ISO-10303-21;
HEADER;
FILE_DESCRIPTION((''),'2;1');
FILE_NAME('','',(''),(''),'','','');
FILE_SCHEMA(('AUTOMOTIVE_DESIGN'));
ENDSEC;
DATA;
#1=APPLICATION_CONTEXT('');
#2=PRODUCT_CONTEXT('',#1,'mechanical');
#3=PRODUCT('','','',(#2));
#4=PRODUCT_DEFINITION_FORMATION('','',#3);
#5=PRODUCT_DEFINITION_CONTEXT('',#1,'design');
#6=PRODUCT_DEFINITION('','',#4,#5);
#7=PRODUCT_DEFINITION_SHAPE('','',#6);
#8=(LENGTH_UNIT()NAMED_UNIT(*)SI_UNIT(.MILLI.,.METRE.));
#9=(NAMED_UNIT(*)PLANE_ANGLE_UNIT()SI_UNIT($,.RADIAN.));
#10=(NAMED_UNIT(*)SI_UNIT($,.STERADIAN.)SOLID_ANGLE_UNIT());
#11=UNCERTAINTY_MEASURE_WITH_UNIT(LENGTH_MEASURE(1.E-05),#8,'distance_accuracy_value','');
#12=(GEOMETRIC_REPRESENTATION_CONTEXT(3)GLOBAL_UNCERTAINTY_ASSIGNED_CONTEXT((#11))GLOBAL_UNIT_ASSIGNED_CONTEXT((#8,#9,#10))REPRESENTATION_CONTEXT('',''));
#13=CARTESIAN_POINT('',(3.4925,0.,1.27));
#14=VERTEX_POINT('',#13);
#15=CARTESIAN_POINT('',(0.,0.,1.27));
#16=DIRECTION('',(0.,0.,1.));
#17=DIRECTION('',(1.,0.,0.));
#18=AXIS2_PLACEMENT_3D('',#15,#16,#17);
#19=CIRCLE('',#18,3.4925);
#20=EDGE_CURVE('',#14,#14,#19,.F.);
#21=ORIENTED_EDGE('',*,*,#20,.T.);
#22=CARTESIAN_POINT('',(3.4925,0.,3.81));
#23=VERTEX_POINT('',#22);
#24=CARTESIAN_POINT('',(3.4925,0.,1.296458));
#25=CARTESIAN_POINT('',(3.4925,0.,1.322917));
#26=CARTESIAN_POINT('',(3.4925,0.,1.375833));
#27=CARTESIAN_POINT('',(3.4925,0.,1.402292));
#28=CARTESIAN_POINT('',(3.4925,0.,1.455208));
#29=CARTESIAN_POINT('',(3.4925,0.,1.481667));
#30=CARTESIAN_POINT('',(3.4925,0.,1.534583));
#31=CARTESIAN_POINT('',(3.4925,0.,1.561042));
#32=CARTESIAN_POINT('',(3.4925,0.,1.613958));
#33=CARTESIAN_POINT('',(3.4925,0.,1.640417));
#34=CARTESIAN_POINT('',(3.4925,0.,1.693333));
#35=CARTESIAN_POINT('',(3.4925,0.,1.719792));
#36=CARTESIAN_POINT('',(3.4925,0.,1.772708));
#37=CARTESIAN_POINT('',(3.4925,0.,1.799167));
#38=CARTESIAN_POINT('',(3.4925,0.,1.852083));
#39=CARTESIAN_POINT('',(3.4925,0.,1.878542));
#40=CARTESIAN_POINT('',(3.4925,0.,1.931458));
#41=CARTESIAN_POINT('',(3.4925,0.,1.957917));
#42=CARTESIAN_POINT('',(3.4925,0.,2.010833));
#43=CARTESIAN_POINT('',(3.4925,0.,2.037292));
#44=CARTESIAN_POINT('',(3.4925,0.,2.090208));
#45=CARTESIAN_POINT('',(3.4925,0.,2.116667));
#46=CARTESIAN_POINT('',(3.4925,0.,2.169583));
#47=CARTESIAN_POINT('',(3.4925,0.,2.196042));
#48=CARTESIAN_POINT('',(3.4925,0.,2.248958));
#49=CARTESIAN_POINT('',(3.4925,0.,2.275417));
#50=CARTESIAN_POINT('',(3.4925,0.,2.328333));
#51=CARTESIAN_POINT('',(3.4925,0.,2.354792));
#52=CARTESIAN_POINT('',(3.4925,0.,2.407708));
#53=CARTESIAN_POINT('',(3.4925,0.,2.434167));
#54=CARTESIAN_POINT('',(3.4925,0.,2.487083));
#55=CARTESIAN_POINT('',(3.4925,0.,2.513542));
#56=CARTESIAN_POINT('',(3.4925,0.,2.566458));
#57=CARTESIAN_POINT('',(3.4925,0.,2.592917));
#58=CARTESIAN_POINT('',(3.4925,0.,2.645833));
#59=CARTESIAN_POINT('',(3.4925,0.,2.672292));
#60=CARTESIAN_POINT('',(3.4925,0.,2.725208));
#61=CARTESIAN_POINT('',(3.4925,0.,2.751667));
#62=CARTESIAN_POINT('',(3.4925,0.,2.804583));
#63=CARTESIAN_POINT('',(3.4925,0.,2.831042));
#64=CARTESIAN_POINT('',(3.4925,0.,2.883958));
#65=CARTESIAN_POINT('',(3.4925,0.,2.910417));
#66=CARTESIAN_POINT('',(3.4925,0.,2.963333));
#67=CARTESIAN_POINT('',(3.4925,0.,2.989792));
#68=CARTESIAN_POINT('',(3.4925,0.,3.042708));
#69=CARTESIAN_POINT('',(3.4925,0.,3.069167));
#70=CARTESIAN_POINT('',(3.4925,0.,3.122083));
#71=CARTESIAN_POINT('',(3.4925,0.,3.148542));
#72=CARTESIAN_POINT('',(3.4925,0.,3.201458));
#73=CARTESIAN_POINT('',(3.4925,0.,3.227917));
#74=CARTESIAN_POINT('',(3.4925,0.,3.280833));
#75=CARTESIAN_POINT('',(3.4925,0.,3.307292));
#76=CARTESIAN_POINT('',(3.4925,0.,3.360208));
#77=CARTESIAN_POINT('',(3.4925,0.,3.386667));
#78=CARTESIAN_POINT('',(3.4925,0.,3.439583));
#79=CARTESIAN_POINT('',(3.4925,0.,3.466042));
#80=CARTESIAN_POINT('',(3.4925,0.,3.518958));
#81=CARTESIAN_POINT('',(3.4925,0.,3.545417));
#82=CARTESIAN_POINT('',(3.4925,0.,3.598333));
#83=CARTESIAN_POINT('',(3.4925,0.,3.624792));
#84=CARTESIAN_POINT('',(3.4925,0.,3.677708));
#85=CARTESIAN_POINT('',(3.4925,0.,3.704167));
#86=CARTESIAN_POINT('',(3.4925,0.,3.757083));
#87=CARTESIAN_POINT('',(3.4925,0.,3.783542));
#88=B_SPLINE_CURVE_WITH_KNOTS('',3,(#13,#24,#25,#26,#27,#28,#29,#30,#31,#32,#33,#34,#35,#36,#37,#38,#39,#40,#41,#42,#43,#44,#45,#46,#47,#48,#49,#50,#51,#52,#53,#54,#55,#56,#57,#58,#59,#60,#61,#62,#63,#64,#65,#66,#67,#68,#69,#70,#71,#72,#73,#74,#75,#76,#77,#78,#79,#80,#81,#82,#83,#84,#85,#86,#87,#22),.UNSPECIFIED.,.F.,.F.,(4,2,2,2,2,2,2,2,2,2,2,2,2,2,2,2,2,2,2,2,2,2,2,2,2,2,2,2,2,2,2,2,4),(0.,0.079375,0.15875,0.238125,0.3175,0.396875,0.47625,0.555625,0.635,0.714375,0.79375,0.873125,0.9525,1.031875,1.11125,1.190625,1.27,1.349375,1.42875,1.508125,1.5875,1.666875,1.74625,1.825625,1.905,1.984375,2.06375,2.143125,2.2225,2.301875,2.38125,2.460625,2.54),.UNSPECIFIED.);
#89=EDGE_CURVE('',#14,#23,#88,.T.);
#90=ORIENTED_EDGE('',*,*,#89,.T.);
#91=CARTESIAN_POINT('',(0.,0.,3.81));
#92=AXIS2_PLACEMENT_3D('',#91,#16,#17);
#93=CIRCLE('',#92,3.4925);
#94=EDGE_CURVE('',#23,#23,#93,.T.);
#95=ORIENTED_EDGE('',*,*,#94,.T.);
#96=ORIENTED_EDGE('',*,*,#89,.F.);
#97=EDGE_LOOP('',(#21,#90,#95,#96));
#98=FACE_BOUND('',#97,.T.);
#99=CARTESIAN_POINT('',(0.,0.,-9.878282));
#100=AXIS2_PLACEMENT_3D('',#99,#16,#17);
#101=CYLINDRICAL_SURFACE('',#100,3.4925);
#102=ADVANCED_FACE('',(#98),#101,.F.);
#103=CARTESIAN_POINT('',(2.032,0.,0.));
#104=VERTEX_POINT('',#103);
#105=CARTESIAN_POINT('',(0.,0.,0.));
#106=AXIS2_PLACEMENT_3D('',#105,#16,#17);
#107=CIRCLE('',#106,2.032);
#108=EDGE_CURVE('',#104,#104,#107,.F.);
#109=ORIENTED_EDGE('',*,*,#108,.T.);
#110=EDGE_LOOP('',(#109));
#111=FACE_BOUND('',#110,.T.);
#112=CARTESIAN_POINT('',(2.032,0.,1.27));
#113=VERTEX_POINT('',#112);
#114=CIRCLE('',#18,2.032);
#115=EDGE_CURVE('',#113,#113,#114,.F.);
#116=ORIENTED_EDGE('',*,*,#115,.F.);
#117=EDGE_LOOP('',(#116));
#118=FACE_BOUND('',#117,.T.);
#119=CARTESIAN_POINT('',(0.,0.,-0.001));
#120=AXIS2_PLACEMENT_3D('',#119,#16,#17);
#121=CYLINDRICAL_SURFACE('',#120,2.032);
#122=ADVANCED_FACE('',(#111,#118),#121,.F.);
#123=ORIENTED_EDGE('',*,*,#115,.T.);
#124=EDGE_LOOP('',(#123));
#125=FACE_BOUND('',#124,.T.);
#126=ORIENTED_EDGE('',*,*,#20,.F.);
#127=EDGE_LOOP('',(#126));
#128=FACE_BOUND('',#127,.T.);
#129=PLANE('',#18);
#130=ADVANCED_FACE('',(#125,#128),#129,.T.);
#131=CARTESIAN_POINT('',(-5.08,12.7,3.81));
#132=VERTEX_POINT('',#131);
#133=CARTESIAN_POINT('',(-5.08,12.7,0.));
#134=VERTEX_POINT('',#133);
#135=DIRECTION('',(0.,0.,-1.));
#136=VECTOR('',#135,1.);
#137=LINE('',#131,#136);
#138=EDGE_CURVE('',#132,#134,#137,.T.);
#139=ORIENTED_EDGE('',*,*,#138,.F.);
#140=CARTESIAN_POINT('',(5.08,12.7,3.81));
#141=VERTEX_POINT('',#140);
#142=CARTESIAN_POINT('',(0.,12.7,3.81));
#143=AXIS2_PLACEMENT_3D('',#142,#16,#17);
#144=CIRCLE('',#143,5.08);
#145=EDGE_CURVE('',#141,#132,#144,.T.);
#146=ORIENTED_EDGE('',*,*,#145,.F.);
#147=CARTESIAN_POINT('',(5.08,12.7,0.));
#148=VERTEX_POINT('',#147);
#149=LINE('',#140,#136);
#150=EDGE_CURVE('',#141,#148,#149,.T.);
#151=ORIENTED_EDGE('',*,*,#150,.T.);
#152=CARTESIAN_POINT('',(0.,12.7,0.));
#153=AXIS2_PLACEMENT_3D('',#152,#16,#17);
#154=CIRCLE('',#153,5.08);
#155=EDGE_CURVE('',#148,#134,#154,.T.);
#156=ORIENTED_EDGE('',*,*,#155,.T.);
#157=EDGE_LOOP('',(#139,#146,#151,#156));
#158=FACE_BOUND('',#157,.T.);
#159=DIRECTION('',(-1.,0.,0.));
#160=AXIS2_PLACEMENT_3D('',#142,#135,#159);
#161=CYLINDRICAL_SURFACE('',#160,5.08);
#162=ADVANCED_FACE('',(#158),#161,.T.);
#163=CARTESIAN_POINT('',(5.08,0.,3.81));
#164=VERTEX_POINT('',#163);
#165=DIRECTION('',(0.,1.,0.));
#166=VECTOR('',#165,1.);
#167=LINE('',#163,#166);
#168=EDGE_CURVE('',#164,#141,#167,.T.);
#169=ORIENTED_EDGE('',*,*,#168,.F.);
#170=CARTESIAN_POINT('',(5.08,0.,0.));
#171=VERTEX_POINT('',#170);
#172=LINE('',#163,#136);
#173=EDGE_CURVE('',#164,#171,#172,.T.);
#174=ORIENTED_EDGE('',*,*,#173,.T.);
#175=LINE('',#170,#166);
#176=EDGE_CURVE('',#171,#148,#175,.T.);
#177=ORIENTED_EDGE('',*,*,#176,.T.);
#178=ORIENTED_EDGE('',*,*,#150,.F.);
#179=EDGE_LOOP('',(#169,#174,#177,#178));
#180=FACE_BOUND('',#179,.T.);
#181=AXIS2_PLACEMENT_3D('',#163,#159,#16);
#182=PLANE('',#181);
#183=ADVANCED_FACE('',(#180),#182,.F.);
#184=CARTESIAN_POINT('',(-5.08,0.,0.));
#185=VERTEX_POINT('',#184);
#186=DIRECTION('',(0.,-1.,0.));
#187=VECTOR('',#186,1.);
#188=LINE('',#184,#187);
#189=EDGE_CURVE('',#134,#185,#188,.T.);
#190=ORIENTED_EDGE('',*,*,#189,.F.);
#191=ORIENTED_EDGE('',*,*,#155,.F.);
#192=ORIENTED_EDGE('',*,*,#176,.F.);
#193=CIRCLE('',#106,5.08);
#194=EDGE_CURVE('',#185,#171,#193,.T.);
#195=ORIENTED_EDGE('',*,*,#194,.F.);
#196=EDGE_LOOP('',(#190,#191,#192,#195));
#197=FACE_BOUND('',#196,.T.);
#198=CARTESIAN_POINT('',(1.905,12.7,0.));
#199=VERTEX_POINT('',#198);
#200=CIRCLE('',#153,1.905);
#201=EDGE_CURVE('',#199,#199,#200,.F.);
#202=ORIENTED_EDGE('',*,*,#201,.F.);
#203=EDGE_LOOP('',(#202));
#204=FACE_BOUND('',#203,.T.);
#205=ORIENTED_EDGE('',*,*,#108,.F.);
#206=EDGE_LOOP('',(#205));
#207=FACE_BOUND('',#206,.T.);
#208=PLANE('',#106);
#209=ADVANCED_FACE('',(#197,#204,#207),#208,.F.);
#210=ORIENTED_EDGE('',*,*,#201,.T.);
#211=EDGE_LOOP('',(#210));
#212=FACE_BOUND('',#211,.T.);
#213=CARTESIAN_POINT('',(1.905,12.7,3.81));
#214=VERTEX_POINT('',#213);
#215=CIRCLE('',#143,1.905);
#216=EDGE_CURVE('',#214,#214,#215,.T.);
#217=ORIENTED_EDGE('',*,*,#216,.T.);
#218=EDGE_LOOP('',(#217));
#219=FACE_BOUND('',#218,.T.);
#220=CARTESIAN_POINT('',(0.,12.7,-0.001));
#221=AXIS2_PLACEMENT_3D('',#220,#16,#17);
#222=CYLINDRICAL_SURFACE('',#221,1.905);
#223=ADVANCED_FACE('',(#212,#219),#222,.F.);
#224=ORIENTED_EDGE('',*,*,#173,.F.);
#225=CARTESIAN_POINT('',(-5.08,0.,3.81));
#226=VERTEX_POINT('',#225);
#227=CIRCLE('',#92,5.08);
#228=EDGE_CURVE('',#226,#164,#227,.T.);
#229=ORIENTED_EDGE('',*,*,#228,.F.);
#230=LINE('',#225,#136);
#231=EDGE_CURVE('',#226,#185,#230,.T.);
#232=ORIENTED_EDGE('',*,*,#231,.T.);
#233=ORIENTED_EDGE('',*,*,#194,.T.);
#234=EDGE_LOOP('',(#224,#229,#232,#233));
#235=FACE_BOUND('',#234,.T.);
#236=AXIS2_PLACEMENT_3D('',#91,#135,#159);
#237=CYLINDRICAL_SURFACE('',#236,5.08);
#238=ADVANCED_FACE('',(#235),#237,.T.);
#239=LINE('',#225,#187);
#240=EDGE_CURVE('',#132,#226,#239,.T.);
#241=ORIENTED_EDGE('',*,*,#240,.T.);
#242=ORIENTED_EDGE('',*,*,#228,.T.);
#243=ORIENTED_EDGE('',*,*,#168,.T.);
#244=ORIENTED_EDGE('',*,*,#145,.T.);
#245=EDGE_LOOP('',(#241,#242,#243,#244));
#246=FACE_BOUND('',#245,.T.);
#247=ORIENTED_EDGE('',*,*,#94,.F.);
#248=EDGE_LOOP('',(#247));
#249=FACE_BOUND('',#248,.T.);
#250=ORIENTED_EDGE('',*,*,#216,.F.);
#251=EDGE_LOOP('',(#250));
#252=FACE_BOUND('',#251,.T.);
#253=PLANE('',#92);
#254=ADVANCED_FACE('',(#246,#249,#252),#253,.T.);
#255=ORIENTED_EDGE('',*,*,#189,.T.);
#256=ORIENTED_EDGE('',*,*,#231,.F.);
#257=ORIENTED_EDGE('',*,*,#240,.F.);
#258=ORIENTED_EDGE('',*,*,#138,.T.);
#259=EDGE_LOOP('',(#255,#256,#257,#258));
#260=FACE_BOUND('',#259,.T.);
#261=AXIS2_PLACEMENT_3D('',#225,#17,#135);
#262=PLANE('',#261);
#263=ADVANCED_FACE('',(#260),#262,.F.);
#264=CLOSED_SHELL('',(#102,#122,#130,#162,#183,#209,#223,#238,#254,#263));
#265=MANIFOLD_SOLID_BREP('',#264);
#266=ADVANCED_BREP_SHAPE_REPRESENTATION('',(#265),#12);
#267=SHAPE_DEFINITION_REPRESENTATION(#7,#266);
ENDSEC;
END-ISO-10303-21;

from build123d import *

# Parameters (mm, degrees)
BASE_DEPTH         = 3.81
METRIC_HOLES_REACH = 20.88
SKETCH3_R          = 2.032
SKETCH3_R_2        = 1.905
SKETCH4_R          = 3.4925
CUT_EXTRUDE2_DEPTH = 2.54


with BuildPart() as part:
    # Sketch2 → base (new body)
    with BuildSketch(Plane(origin=(0, 0, 0), x_dir=(0, 1, 0), z_dir=(0, 0, 1))):
        with BuildLine():
            Line((0, 5.08), (12.7, 5.08))
            ThreePointArc((12.7, 5.08), (17.78, 0), (12.7, -5.08))
            Line((12.7, -5.08), (0, -5.08))
            ThreePointArc((0, -5.08), (-5.08, 0), (0, 5.08))
        make_face()
    extrude(amount=BASE_DEPTH)

    # Sketch3 → metric_holes (cut, up to next)
    with BuildSketch(Plane.XY.offset(3.81), mode=Mode.PRIVATE) as metric_holes_sk1:
        Circle(SKETCH3_R)
    metric_holes_tool1 = extrude(metric_holes_sk1.sketch, amount=-METRIC_HOLES_REACH, mode=Mode.PRIVATE) & part.part
    # Sketch3 → metric_holes (cut, up to next)
    with BuildSketch(Plane.XY.offset(3.81), mode=Mode.PRIVATE) as metric_holes_sk2:
        with Locations((0, 12.7)):
            Circle(SKETCH3_R_2)
    metric_holes_tool2 = extrude(metric_holes_sk2.sketch, amount=-METRIC_HOLES_REACH, mode=Mode.PRIVATE) & part.part
    add(metric_holes_tool1.solids().sort_by_distance((0, 0, 3.81))[0], mode=Mode.SUBTRACT)
    add(metric_holes_tool2.solids().sort_by_distance((0, 12.7, 3.81))[0], mode=Mode.SUBTRACT)

    # Sketch4 → Cut-Extrude2 (cut)
    with BuildSketch(Plane.XY.offset(3.81)):
        Circle(SKETCH4_R)
    extrude(amount=-CUT_EXTRUDE2_DEPTH, mode=Mode.SUBTRACT)


solid = part.part
